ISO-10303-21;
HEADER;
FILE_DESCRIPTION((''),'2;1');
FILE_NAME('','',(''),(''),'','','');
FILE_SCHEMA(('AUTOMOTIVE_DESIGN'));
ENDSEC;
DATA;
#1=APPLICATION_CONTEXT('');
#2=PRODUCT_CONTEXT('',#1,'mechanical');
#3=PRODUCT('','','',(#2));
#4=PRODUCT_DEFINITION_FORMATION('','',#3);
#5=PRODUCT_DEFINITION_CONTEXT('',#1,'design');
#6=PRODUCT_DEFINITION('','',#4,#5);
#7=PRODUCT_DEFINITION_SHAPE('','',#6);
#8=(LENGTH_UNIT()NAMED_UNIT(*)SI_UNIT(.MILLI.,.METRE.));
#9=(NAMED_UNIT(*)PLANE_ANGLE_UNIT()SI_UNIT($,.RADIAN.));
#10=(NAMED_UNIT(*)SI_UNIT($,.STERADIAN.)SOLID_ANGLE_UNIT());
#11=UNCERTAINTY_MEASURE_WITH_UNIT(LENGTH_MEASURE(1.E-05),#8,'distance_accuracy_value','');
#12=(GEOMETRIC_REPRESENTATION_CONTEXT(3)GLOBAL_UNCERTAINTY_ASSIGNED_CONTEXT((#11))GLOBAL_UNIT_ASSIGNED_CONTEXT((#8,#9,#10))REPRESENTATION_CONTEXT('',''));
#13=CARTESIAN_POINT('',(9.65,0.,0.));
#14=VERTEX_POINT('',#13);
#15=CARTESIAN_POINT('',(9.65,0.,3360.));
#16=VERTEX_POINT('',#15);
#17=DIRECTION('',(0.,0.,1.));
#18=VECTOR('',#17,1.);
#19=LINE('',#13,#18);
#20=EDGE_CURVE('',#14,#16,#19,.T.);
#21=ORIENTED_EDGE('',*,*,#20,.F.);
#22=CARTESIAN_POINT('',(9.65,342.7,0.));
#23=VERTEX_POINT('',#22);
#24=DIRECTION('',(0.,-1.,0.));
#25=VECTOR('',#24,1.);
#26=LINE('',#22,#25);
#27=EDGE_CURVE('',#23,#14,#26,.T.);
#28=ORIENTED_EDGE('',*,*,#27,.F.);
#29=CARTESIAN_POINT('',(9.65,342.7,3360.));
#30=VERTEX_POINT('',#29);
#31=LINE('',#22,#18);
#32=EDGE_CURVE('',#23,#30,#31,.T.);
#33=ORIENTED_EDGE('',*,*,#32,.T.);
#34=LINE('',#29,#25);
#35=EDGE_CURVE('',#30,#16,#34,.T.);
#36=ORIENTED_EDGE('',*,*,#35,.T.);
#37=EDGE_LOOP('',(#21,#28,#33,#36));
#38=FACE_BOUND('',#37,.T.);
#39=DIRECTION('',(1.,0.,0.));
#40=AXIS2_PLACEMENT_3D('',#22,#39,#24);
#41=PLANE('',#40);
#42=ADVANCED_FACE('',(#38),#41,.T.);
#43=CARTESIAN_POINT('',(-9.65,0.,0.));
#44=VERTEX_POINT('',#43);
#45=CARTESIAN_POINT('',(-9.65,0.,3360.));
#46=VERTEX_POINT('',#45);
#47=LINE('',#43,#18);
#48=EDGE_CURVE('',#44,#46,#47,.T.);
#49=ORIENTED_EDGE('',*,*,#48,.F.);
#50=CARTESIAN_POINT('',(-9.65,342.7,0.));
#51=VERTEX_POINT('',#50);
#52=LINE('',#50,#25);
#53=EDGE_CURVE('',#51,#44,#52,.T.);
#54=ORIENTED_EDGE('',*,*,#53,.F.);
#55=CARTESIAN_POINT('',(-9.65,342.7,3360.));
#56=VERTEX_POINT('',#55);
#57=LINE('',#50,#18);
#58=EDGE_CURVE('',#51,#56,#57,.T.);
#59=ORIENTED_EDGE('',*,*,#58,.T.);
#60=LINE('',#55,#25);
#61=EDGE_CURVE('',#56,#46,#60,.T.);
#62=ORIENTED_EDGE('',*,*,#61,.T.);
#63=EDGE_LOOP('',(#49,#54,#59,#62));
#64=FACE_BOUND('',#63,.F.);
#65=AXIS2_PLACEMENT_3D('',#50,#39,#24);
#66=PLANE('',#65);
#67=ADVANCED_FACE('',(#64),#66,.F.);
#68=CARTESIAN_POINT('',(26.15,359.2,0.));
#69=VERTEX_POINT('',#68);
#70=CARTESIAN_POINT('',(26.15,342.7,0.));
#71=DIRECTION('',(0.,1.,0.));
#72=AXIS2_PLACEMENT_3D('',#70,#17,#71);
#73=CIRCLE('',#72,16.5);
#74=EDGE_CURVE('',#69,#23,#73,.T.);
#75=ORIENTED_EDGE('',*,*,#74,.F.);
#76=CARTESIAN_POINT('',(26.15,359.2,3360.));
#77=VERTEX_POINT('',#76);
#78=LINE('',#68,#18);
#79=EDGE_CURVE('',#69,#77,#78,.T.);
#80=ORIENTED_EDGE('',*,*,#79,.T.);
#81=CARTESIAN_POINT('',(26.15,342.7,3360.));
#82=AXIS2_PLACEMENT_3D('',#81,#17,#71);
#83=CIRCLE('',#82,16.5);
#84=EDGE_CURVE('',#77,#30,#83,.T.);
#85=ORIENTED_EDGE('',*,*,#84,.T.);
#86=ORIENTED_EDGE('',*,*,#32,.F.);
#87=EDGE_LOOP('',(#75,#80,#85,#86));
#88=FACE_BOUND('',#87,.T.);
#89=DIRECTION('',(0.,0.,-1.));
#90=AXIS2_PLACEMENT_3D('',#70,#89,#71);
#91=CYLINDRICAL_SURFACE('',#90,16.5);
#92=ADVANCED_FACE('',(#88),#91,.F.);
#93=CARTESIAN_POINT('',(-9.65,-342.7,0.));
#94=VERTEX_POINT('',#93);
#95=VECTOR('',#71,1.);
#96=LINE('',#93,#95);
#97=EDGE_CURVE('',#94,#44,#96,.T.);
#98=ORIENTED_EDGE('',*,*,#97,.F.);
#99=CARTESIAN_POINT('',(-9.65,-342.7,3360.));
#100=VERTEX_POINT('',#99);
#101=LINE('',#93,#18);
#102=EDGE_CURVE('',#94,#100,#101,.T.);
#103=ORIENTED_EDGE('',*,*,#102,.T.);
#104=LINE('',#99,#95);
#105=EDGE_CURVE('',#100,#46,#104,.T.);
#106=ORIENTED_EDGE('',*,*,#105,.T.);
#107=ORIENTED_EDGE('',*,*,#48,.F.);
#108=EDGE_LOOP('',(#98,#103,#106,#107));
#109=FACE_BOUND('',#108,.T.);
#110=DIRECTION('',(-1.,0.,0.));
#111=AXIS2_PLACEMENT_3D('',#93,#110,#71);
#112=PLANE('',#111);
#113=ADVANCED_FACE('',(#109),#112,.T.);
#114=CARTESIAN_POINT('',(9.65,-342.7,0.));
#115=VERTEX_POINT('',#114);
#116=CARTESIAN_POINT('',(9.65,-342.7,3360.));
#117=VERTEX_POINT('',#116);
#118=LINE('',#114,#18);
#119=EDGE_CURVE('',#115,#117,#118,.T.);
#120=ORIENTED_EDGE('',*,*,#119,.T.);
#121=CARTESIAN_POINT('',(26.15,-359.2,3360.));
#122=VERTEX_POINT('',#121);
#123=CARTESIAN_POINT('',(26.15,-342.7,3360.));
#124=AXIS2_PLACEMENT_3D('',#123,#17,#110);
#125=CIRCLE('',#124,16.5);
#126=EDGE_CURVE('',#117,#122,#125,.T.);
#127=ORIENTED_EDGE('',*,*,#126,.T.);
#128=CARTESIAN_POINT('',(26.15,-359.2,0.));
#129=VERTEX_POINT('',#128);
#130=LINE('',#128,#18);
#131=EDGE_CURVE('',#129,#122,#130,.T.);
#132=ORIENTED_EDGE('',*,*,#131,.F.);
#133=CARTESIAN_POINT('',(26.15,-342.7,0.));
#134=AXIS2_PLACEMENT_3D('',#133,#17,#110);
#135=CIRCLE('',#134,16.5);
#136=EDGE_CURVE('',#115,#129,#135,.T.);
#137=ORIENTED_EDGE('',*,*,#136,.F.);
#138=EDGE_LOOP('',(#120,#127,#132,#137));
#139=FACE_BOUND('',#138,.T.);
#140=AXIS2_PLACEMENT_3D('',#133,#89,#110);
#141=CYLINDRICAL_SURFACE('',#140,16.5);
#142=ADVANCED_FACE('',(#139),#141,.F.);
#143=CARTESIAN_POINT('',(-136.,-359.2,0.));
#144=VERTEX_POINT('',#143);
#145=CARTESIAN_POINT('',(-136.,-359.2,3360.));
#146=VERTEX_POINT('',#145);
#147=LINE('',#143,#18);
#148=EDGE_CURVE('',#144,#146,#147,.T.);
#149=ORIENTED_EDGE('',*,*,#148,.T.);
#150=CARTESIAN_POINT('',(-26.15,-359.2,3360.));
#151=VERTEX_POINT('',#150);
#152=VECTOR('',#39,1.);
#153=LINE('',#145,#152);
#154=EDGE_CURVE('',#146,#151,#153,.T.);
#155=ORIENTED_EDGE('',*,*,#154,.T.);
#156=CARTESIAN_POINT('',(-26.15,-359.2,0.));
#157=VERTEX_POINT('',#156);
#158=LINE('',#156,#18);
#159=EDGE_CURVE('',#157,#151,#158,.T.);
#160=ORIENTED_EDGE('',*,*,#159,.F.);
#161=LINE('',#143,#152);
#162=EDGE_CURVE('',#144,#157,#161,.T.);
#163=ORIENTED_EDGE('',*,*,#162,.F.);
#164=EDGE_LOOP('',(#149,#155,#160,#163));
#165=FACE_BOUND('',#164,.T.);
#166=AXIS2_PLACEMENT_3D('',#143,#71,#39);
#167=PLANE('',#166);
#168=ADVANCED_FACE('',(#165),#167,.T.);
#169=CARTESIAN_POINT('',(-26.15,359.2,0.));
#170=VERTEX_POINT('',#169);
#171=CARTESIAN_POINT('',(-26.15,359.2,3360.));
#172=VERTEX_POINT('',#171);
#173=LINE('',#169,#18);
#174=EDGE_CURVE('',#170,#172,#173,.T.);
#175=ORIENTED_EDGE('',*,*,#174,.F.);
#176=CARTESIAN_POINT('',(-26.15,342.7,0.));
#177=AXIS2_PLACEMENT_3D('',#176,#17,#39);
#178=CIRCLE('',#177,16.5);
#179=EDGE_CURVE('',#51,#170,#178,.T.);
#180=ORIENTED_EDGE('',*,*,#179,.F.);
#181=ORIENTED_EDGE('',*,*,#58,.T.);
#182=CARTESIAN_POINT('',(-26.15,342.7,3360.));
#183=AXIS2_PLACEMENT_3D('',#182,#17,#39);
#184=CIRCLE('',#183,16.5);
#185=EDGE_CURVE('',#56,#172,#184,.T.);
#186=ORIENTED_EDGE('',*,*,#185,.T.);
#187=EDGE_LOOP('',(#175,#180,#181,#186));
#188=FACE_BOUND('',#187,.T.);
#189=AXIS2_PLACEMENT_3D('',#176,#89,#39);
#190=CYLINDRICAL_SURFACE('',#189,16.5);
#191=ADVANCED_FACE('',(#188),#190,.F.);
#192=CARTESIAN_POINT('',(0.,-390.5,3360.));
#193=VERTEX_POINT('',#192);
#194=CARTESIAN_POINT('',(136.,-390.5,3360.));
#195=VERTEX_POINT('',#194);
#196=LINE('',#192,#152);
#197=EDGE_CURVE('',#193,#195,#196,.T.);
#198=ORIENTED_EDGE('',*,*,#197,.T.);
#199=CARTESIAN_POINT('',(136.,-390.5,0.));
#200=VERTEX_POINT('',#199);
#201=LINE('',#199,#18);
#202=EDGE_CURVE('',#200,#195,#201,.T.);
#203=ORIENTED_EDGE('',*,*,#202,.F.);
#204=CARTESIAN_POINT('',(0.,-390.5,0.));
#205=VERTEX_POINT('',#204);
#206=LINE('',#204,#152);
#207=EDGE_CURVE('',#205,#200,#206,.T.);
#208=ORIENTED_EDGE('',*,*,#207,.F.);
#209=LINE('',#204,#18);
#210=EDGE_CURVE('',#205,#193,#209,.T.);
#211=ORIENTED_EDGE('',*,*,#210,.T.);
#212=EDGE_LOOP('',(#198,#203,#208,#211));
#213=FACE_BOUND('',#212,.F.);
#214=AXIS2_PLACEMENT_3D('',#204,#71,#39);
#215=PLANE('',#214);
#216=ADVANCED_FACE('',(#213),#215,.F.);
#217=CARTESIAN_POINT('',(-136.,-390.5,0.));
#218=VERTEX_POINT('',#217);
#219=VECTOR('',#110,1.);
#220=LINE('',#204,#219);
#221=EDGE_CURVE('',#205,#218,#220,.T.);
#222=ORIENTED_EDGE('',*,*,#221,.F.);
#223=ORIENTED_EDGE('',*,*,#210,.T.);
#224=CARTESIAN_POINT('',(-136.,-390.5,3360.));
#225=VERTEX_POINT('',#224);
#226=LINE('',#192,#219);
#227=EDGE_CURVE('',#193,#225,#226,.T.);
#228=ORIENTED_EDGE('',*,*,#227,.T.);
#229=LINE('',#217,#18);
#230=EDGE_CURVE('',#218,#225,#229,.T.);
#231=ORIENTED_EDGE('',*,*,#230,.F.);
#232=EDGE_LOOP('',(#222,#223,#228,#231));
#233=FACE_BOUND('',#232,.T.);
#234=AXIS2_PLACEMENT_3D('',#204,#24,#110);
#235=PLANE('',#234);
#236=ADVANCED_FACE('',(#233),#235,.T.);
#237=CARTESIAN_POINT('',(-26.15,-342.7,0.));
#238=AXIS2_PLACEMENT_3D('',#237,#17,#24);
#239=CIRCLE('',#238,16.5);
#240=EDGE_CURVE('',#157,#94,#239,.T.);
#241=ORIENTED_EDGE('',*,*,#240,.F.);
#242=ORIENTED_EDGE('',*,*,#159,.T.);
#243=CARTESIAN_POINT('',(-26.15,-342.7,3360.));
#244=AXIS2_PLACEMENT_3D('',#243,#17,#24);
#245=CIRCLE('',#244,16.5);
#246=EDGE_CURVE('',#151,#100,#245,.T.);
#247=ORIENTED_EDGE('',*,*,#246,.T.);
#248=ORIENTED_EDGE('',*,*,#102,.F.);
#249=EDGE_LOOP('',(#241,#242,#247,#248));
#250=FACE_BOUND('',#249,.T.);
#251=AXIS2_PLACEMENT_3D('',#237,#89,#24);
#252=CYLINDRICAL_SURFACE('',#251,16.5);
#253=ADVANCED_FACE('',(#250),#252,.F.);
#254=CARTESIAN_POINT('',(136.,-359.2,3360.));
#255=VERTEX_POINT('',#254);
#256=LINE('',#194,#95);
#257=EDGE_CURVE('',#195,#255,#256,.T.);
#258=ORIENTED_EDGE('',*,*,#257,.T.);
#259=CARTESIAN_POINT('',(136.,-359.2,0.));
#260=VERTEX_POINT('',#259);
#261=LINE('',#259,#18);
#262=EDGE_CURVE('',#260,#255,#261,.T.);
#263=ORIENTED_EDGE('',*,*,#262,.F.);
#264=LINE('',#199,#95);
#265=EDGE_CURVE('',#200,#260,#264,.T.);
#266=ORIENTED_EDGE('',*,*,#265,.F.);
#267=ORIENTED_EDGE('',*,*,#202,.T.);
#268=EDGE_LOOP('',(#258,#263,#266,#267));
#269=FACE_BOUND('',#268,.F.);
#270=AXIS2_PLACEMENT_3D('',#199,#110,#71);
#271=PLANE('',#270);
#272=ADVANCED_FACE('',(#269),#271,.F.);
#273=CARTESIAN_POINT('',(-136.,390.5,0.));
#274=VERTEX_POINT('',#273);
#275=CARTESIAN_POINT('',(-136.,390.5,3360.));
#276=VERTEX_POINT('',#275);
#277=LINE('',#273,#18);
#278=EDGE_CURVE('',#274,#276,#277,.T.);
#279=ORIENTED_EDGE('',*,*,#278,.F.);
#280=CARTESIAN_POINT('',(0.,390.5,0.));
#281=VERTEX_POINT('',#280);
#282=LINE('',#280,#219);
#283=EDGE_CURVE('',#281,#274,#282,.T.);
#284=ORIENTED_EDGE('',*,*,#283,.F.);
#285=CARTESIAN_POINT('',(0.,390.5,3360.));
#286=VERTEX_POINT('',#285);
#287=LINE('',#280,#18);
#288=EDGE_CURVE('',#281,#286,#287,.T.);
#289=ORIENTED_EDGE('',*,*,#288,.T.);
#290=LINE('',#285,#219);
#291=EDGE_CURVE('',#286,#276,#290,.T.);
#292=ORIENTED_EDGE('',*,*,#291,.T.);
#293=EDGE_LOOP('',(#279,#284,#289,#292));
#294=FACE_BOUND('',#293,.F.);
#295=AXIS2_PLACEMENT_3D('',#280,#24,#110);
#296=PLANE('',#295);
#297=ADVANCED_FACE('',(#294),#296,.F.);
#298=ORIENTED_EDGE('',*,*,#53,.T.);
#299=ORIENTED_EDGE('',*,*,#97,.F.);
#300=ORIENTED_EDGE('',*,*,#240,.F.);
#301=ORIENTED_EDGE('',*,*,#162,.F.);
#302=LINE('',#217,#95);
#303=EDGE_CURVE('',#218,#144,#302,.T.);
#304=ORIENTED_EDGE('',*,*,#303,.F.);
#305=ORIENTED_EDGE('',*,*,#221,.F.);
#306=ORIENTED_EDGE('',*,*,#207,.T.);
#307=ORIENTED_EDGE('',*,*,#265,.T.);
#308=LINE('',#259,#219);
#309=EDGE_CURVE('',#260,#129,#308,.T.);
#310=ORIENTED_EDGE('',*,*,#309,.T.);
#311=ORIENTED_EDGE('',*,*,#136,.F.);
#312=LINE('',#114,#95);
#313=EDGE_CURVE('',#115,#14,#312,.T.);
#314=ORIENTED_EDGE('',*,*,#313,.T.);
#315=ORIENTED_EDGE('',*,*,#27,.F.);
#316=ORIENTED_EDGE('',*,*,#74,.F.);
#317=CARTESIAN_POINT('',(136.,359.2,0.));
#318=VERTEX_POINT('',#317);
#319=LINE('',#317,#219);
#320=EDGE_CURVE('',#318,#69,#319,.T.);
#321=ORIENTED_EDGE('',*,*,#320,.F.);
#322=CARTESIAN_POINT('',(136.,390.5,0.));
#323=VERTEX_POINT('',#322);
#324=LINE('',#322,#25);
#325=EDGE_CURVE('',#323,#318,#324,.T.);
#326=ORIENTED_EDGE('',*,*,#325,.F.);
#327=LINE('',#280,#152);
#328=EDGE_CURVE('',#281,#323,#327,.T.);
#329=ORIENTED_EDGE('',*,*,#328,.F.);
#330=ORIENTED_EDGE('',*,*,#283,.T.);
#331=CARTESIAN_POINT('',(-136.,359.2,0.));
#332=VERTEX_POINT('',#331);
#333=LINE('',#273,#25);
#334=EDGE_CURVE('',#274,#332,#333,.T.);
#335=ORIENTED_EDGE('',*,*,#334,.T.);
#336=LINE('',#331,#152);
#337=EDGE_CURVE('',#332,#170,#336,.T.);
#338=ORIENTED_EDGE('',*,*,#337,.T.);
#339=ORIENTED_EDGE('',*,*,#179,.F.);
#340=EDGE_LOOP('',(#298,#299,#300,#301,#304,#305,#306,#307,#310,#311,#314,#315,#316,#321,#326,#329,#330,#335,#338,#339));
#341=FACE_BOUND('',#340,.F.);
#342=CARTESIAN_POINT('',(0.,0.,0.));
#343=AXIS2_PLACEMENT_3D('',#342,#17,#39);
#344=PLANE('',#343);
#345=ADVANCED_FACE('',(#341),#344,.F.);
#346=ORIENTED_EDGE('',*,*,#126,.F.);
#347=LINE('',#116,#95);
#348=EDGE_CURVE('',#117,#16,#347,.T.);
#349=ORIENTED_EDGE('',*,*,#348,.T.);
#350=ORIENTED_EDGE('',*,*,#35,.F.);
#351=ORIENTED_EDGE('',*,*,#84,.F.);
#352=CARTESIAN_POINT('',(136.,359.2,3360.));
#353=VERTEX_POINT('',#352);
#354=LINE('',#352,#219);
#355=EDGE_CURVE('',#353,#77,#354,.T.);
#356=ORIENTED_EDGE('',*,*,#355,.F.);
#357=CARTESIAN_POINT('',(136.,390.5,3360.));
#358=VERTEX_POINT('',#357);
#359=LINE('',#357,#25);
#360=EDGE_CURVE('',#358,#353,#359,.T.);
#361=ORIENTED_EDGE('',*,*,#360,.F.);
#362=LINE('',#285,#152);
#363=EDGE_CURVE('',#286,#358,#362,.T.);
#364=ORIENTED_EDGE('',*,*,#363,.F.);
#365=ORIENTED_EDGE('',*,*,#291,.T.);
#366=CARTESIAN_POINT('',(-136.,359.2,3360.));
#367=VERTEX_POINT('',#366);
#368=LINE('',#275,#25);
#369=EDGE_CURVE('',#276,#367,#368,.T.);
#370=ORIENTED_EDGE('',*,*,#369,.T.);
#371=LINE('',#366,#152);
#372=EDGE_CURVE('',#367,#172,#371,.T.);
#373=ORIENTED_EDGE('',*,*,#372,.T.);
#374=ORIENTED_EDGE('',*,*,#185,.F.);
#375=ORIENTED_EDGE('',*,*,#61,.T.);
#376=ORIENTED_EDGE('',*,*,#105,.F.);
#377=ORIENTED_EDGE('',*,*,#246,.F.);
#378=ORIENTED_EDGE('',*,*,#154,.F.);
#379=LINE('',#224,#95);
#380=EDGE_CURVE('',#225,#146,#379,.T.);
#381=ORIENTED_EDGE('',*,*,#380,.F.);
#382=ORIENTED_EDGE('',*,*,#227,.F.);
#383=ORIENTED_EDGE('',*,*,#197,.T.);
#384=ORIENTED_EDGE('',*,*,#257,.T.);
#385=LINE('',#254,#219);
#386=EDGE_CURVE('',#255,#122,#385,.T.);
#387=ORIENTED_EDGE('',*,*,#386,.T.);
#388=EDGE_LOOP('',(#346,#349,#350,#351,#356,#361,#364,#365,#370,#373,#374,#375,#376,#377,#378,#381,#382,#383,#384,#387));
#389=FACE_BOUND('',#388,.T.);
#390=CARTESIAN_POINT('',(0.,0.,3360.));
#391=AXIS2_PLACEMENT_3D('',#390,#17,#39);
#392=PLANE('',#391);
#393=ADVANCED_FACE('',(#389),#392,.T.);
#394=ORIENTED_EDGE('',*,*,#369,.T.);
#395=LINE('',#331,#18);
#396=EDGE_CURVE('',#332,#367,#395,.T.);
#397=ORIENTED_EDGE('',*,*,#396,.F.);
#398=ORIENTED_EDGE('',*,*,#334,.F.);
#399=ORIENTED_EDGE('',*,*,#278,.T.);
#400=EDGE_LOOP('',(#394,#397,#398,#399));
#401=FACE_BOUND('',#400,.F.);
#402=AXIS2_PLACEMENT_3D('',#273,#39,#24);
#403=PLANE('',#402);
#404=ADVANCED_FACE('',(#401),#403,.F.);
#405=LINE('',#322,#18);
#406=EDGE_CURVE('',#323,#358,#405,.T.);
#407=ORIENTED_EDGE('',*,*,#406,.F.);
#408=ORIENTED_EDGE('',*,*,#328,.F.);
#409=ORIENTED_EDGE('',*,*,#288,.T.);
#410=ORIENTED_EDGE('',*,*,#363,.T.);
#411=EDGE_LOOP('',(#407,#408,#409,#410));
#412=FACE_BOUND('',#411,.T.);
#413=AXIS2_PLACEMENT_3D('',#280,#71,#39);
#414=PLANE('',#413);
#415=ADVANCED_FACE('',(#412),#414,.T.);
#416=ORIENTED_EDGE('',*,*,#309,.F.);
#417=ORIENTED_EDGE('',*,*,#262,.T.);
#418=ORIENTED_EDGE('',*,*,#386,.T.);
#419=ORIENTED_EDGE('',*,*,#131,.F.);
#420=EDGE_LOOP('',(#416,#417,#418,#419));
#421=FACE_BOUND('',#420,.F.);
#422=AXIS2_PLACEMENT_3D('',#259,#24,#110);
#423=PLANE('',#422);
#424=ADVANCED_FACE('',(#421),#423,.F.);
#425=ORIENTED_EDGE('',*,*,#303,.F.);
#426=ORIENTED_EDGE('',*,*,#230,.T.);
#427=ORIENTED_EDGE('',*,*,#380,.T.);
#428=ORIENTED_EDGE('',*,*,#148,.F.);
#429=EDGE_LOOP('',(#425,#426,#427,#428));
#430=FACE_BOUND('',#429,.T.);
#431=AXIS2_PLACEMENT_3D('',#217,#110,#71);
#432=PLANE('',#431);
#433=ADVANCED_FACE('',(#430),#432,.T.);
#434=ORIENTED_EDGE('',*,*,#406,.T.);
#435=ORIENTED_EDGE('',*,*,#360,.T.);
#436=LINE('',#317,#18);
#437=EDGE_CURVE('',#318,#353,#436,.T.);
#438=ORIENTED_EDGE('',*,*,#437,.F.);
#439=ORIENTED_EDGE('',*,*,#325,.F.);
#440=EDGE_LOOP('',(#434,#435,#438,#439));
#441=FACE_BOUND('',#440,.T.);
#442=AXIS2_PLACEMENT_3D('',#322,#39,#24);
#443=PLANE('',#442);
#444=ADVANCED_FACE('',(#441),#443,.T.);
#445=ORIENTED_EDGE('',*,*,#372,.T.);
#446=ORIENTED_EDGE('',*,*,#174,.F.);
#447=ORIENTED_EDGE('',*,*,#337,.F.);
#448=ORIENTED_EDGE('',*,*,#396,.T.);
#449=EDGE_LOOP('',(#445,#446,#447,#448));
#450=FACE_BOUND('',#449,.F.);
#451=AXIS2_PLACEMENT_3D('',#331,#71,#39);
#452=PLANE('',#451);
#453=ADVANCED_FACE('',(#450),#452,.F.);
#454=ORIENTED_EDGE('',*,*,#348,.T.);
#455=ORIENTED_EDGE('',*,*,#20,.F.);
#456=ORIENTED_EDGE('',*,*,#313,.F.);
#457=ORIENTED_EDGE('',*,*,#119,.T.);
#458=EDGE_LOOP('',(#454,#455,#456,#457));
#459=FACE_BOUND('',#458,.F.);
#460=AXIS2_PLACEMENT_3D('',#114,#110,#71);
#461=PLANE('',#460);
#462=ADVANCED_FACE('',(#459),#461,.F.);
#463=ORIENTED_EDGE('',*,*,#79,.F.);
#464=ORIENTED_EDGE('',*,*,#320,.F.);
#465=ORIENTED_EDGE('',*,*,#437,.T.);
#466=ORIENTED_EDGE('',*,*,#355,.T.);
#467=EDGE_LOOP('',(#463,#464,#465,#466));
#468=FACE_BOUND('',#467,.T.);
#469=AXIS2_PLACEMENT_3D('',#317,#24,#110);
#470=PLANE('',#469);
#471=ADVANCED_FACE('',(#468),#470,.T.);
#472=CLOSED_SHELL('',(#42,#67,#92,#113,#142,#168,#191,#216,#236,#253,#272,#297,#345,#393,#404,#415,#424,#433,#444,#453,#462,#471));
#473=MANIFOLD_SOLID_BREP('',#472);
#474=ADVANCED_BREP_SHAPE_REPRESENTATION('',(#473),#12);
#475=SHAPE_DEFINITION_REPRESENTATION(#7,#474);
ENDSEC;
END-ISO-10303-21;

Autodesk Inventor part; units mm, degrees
ref_plane "YZ Plane" through (0, 0, 0) normal (1, 0, 0) x (0, 1, 0)
ref_plane "Start plane" through (0, 0, 0) normal (0, 0, 1) x (1, 0, 0)
ref_plane "End plane" through (0, 0, 3360) normal (0, 0, 1) x (1, 0, 0)
sketch "Sketch" plane through (0, 0, 0) normal (0, 0, 1) x (1, 0, 0)
  line L0 (-136, -390.5) -> (-136, -359.2)
  line L1 (-136, -359.2) -> (-26.15, -359.2)
  line L2 (-9.65, -342.7) -> (-9.65, 0)
  line L3 (-9.65, 0) -> (0, 0) construction
  line L4 (0, 0) -> (0, -390.5) construction
  line L5 (0, -390.5) -> (-136, -390.5)
  line L6 (-60, 0) -> (80, 0) construction
  line L7 (0, -60) -> (0, 80) construction
  line L8 (136, -390.5) -> (136, -359.2)
  line L9 (136, -359.2) -> (26.15, -359.2)
  line L10 (9.65, -342.7) -> (9.65, 0)
  line L11 (9.65, 0) -> (0, 0) construction
  line L12 (0, -390.5) -> (136, -390.5)
  line L13 (-136, 390.5) -> (-136, 359.2)
  line L14 (-136, 359.2) -> (-26.15, 359.2)
  line L15 (-9.65, 342.7) -> (-9.65, 0)
  line L16 (0, 390.5) -> (-136, 390.5)
  line L17 (136, 390.5) -> (136, 359.2)
  line L18 (136, 359.2) -> (26.15, 359.2)
  line L19 (0, 390.5) -> (136, 390.5)
  line L20 (9.65, 342.7) -> (9.65, 0)
  arc A0 (-9.65, 342.7) -> (-26.15, 359.2) centre (-26.15, 342.7) ccw
  arc A1 (26.15, 359.2) -> (9.65, 342.7) centre (26.15, 342.7) ccw
  arc A2 (9.65, -342.7) -> (26.15, -359.2) centre (26.15, -342.7) ccw
  arc A3 (-26.15, -359.2) -> (-9.65, -342.7) centre (-26.15, -342.7) ccw
  line L21 (0, 108) -> (0, -88) construction
  line L22 (-88, 0) -> (108, 0) construction
  point P0 (-9.65, -359.2)
  point P1 (9.65, -359.2)
  point P2 (-9.65, 359.2)
  point P3 (9.65, 359.2)
  dimension "d1" = 390.5
  dimension "d2" = 31.3
  dimension "d3" = 136
  dimension "d4" = 9.65
  dimension "d10" = 16.5
extrude "Body" add sketch "Sketch" along normal up to surface (3360 mm away) from surface at 0
sketch "Sketch4" plane through (0, 0, 0) normal (0, 0, 1) x (1, 0, 0)
  line L0 (0, 0) -> (10, 0)
ref_plane "Work Plane3" through (0, 0, 0) normal (0, -1, 0) x (1, 0, 0)
sketch "Sketch5" plane through (0, 0, 0) normal (0, -1, 0) x (1, 0, 0)
  line L0 (-2, 0) -> (12, 0) projected
  line L1 (-2, 3360) -> (12, 3360) projected
  dimension "d14" = 3360
equation "\"d1\" = 0.5 * G_H"
equation "\"d2\" = G_T1"
equation "\"d3\" = 0.5 * G_W"
equation "\"d4\" = 0.5 * G_T"
equation "\"d10\" = G_IR"
equation "\"d5\" = G_L"
equation "\"G_W\" = 272"
equation "\"G_H\" = 781"
equation "\"G_T\" = 19.3"
equation "\"G_T1\" = 31.3"
equation "\"G_IR\" = 16.5"
equation "\"G_L\" = d14"
equation "\"G_OFFSET_START\" = 0"
equation "\"G_OFFSET_END\" = 0"
properties part number "AS 3679-1990 - 760 UB - 244 - 3360" material "Steel, Mild"
